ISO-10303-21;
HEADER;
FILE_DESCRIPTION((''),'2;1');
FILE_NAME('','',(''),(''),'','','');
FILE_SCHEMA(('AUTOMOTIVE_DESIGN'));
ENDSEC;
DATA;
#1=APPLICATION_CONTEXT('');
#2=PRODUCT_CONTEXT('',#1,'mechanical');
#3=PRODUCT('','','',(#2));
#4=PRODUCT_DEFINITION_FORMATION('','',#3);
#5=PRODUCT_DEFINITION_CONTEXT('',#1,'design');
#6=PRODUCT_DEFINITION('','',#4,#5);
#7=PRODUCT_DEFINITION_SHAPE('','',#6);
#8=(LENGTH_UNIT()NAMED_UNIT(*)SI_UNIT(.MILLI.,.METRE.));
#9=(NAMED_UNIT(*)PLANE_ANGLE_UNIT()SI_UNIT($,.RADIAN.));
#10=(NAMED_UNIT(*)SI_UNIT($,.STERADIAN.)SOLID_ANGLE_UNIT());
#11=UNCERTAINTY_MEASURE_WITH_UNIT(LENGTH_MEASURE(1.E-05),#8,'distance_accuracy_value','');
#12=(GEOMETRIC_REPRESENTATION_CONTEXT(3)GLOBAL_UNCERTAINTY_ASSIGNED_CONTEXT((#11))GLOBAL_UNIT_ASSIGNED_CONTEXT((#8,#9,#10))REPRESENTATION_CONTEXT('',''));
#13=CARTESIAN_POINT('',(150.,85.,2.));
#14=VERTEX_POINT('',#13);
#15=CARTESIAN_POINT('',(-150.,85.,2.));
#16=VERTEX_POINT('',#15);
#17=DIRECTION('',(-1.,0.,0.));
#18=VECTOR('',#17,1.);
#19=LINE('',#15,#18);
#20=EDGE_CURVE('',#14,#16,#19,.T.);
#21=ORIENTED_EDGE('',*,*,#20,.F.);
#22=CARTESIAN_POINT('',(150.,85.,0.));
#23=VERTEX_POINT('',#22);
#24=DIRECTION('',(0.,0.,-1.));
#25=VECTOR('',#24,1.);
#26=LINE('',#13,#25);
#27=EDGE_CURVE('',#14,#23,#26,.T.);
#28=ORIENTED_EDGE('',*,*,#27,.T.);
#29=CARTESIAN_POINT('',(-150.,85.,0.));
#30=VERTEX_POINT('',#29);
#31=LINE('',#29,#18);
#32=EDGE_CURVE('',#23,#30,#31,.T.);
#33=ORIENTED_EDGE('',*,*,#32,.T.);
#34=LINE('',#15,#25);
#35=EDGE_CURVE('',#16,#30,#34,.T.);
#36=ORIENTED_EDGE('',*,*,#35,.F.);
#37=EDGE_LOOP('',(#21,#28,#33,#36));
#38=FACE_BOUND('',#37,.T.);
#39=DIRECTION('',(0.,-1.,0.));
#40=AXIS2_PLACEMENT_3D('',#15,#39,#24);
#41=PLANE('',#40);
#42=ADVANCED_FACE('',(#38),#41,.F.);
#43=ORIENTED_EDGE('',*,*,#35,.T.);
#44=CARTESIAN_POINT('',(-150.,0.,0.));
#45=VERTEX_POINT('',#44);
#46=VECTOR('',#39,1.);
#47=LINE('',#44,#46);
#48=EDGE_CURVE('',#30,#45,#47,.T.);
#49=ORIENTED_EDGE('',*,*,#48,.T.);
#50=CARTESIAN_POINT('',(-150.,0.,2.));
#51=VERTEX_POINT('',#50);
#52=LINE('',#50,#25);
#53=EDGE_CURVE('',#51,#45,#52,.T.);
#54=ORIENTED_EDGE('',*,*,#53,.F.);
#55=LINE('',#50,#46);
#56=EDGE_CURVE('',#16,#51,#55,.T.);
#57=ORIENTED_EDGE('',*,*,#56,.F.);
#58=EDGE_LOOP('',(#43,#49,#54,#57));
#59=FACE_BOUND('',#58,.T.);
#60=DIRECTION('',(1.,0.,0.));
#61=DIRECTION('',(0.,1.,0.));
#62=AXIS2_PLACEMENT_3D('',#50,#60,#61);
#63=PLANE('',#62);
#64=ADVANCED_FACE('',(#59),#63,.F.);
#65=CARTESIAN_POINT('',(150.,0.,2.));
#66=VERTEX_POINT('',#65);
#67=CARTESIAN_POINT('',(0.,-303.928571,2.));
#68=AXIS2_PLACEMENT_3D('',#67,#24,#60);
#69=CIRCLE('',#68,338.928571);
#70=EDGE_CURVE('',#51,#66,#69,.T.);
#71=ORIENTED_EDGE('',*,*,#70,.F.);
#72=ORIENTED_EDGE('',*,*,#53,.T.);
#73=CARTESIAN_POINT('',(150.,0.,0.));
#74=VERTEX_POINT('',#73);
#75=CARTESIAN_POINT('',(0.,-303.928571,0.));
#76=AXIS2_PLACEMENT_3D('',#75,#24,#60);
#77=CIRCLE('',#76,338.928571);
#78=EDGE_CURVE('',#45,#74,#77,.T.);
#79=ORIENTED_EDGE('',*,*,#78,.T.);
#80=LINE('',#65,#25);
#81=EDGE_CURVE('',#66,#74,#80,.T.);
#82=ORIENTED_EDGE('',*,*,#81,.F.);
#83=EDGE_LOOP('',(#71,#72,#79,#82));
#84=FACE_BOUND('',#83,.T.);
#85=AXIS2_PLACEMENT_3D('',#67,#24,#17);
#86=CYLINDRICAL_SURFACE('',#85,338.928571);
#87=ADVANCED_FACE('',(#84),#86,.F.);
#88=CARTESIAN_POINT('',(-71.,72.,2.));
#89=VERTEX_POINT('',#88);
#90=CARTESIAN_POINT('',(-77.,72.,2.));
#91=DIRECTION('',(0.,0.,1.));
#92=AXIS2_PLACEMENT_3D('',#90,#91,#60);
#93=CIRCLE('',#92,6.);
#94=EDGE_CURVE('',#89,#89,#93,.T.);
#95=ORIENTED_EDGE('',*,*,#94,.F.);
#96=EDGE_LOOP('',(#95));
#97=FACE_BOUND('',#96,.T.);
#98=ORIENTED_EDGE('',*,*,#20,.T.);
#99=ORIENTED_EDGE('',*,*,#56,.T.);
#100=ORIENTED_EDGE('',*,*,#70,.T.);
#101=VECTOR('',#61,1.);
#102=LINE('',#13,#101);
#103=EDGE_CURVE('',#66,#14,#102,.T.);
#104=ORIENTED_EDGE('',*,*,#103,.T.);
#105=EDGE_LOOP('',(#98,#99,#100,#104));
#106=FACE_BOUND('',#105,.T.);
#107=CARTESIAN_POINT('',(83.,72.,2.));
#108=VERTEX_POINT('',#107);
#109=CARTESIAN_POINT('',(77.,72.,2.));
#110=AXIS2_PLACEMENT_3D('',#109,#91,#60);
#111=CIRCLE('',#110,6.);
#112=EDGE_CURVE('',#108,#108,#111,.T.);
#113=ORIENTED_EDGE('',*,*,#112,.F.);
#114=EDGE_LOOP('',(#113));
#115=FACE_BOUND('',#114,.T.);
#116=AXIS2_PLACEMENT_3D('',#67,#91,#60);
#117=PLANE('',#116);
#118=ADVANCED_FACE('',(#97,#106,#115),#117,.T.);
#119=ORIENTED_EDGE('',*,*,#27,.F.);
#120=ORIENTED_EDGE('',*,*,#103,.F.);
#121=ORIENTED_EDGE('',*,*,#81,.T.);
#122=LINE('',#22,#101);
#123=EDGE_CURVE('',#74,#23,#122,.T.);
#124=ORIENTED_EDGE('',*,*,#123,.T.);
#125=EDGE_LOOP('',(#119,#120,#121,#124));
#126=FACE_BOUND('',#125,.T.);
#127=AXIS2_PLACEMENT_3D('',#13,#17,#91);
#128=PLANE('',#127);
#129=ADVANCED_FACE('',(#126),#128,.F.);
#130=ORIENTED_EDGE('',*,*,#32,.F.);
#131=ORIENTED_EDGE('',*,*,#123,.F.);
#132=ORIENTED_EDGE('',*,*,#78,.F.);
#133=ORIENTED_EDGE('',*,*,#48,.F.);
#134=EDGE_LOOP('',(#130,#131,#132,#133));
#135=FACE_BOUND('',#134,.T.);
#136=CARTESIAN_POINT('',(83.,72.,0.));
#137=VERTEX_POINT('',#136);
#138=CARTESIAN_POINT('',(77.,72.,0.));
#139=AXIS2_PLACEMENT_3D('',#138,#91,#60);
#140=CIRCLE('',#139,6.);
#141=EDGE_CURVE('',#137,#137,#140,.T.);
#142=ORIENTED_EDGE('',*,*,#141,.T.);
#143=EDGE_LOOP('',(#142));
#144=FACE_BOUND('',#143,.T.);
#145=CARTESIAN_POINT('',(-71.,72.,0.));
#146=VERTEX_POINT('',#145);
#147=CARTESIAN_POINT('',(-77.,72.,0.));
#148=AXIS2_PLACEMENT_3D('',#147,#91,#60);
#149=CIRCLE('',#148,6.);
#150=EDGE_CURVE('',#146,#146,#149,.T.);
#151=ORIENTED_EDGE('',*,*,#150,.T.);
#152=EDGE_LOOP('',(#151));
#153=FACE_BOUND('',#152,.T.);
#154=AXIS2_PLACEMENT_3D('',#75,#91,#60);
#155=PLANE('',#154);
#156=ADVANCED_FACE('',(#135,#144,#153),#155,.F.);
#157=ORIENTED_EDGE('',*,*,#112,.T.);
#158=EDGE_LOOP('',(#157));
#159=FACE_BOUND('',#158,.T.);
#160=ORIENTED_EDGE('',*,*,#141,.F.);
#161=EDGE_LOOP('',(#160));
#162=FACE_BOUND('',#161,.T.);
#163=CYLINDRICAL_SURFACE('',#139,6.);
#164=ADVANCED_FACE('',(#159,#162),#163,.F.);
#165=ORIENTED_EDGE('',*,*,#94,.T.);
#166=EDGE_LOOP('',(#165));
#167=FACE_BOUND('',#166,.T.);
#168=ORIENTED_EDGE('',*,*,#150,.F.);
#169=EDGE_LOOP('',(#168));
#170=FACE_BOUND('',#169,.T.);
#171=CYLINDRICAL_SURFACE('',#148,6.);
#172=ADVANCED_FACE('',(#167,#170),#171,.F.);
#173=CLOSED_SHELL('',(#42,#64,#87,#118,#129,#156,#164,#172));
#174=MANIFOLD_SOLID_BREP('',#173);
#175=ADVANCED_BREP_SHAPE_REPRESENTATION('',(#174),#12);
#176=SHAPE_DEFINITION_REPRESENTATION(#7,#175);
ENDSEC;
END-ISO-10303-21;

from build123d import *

# Parameters (mm, degrees)
SALIENTE_EXTRUIR1_DEPTH = 2
CROQUIS2_R              = 6
CORTAR_EXTRUIR1_DEPTH   = 173.420996401


with BuildPart() as part:
    # Croquis1 → Saliente-Extruir1 (new body)
    with BuildSketch(Plane.XY):
        with BuildLine():
            Line((-150, 0), (-150, 85))
            Line((-150, 85), (150, 85))
            Line((150, 85), (150, 0))
            ThreePointArc((150, 0), (0, 35), (-150, 0))
        make_face()
    extrude(amount=SALIENTE_EXTRUIR1_DEPTH)

    # Croquis2 → Cortar-Extruir1 (cut, through all)
    with BuildSketch(Plane.XY.offset(2)):
        with Locations((-77, 72)):
            Circle(CROQUIS2_R)
        with Locations((77, 72)):
            Circle(CROQUIS2_R)
    extrude(amount=-CORTAR_EXTRUIR1_DEPTH, mode=Mode.SUBTRACT)


solid = part.part
